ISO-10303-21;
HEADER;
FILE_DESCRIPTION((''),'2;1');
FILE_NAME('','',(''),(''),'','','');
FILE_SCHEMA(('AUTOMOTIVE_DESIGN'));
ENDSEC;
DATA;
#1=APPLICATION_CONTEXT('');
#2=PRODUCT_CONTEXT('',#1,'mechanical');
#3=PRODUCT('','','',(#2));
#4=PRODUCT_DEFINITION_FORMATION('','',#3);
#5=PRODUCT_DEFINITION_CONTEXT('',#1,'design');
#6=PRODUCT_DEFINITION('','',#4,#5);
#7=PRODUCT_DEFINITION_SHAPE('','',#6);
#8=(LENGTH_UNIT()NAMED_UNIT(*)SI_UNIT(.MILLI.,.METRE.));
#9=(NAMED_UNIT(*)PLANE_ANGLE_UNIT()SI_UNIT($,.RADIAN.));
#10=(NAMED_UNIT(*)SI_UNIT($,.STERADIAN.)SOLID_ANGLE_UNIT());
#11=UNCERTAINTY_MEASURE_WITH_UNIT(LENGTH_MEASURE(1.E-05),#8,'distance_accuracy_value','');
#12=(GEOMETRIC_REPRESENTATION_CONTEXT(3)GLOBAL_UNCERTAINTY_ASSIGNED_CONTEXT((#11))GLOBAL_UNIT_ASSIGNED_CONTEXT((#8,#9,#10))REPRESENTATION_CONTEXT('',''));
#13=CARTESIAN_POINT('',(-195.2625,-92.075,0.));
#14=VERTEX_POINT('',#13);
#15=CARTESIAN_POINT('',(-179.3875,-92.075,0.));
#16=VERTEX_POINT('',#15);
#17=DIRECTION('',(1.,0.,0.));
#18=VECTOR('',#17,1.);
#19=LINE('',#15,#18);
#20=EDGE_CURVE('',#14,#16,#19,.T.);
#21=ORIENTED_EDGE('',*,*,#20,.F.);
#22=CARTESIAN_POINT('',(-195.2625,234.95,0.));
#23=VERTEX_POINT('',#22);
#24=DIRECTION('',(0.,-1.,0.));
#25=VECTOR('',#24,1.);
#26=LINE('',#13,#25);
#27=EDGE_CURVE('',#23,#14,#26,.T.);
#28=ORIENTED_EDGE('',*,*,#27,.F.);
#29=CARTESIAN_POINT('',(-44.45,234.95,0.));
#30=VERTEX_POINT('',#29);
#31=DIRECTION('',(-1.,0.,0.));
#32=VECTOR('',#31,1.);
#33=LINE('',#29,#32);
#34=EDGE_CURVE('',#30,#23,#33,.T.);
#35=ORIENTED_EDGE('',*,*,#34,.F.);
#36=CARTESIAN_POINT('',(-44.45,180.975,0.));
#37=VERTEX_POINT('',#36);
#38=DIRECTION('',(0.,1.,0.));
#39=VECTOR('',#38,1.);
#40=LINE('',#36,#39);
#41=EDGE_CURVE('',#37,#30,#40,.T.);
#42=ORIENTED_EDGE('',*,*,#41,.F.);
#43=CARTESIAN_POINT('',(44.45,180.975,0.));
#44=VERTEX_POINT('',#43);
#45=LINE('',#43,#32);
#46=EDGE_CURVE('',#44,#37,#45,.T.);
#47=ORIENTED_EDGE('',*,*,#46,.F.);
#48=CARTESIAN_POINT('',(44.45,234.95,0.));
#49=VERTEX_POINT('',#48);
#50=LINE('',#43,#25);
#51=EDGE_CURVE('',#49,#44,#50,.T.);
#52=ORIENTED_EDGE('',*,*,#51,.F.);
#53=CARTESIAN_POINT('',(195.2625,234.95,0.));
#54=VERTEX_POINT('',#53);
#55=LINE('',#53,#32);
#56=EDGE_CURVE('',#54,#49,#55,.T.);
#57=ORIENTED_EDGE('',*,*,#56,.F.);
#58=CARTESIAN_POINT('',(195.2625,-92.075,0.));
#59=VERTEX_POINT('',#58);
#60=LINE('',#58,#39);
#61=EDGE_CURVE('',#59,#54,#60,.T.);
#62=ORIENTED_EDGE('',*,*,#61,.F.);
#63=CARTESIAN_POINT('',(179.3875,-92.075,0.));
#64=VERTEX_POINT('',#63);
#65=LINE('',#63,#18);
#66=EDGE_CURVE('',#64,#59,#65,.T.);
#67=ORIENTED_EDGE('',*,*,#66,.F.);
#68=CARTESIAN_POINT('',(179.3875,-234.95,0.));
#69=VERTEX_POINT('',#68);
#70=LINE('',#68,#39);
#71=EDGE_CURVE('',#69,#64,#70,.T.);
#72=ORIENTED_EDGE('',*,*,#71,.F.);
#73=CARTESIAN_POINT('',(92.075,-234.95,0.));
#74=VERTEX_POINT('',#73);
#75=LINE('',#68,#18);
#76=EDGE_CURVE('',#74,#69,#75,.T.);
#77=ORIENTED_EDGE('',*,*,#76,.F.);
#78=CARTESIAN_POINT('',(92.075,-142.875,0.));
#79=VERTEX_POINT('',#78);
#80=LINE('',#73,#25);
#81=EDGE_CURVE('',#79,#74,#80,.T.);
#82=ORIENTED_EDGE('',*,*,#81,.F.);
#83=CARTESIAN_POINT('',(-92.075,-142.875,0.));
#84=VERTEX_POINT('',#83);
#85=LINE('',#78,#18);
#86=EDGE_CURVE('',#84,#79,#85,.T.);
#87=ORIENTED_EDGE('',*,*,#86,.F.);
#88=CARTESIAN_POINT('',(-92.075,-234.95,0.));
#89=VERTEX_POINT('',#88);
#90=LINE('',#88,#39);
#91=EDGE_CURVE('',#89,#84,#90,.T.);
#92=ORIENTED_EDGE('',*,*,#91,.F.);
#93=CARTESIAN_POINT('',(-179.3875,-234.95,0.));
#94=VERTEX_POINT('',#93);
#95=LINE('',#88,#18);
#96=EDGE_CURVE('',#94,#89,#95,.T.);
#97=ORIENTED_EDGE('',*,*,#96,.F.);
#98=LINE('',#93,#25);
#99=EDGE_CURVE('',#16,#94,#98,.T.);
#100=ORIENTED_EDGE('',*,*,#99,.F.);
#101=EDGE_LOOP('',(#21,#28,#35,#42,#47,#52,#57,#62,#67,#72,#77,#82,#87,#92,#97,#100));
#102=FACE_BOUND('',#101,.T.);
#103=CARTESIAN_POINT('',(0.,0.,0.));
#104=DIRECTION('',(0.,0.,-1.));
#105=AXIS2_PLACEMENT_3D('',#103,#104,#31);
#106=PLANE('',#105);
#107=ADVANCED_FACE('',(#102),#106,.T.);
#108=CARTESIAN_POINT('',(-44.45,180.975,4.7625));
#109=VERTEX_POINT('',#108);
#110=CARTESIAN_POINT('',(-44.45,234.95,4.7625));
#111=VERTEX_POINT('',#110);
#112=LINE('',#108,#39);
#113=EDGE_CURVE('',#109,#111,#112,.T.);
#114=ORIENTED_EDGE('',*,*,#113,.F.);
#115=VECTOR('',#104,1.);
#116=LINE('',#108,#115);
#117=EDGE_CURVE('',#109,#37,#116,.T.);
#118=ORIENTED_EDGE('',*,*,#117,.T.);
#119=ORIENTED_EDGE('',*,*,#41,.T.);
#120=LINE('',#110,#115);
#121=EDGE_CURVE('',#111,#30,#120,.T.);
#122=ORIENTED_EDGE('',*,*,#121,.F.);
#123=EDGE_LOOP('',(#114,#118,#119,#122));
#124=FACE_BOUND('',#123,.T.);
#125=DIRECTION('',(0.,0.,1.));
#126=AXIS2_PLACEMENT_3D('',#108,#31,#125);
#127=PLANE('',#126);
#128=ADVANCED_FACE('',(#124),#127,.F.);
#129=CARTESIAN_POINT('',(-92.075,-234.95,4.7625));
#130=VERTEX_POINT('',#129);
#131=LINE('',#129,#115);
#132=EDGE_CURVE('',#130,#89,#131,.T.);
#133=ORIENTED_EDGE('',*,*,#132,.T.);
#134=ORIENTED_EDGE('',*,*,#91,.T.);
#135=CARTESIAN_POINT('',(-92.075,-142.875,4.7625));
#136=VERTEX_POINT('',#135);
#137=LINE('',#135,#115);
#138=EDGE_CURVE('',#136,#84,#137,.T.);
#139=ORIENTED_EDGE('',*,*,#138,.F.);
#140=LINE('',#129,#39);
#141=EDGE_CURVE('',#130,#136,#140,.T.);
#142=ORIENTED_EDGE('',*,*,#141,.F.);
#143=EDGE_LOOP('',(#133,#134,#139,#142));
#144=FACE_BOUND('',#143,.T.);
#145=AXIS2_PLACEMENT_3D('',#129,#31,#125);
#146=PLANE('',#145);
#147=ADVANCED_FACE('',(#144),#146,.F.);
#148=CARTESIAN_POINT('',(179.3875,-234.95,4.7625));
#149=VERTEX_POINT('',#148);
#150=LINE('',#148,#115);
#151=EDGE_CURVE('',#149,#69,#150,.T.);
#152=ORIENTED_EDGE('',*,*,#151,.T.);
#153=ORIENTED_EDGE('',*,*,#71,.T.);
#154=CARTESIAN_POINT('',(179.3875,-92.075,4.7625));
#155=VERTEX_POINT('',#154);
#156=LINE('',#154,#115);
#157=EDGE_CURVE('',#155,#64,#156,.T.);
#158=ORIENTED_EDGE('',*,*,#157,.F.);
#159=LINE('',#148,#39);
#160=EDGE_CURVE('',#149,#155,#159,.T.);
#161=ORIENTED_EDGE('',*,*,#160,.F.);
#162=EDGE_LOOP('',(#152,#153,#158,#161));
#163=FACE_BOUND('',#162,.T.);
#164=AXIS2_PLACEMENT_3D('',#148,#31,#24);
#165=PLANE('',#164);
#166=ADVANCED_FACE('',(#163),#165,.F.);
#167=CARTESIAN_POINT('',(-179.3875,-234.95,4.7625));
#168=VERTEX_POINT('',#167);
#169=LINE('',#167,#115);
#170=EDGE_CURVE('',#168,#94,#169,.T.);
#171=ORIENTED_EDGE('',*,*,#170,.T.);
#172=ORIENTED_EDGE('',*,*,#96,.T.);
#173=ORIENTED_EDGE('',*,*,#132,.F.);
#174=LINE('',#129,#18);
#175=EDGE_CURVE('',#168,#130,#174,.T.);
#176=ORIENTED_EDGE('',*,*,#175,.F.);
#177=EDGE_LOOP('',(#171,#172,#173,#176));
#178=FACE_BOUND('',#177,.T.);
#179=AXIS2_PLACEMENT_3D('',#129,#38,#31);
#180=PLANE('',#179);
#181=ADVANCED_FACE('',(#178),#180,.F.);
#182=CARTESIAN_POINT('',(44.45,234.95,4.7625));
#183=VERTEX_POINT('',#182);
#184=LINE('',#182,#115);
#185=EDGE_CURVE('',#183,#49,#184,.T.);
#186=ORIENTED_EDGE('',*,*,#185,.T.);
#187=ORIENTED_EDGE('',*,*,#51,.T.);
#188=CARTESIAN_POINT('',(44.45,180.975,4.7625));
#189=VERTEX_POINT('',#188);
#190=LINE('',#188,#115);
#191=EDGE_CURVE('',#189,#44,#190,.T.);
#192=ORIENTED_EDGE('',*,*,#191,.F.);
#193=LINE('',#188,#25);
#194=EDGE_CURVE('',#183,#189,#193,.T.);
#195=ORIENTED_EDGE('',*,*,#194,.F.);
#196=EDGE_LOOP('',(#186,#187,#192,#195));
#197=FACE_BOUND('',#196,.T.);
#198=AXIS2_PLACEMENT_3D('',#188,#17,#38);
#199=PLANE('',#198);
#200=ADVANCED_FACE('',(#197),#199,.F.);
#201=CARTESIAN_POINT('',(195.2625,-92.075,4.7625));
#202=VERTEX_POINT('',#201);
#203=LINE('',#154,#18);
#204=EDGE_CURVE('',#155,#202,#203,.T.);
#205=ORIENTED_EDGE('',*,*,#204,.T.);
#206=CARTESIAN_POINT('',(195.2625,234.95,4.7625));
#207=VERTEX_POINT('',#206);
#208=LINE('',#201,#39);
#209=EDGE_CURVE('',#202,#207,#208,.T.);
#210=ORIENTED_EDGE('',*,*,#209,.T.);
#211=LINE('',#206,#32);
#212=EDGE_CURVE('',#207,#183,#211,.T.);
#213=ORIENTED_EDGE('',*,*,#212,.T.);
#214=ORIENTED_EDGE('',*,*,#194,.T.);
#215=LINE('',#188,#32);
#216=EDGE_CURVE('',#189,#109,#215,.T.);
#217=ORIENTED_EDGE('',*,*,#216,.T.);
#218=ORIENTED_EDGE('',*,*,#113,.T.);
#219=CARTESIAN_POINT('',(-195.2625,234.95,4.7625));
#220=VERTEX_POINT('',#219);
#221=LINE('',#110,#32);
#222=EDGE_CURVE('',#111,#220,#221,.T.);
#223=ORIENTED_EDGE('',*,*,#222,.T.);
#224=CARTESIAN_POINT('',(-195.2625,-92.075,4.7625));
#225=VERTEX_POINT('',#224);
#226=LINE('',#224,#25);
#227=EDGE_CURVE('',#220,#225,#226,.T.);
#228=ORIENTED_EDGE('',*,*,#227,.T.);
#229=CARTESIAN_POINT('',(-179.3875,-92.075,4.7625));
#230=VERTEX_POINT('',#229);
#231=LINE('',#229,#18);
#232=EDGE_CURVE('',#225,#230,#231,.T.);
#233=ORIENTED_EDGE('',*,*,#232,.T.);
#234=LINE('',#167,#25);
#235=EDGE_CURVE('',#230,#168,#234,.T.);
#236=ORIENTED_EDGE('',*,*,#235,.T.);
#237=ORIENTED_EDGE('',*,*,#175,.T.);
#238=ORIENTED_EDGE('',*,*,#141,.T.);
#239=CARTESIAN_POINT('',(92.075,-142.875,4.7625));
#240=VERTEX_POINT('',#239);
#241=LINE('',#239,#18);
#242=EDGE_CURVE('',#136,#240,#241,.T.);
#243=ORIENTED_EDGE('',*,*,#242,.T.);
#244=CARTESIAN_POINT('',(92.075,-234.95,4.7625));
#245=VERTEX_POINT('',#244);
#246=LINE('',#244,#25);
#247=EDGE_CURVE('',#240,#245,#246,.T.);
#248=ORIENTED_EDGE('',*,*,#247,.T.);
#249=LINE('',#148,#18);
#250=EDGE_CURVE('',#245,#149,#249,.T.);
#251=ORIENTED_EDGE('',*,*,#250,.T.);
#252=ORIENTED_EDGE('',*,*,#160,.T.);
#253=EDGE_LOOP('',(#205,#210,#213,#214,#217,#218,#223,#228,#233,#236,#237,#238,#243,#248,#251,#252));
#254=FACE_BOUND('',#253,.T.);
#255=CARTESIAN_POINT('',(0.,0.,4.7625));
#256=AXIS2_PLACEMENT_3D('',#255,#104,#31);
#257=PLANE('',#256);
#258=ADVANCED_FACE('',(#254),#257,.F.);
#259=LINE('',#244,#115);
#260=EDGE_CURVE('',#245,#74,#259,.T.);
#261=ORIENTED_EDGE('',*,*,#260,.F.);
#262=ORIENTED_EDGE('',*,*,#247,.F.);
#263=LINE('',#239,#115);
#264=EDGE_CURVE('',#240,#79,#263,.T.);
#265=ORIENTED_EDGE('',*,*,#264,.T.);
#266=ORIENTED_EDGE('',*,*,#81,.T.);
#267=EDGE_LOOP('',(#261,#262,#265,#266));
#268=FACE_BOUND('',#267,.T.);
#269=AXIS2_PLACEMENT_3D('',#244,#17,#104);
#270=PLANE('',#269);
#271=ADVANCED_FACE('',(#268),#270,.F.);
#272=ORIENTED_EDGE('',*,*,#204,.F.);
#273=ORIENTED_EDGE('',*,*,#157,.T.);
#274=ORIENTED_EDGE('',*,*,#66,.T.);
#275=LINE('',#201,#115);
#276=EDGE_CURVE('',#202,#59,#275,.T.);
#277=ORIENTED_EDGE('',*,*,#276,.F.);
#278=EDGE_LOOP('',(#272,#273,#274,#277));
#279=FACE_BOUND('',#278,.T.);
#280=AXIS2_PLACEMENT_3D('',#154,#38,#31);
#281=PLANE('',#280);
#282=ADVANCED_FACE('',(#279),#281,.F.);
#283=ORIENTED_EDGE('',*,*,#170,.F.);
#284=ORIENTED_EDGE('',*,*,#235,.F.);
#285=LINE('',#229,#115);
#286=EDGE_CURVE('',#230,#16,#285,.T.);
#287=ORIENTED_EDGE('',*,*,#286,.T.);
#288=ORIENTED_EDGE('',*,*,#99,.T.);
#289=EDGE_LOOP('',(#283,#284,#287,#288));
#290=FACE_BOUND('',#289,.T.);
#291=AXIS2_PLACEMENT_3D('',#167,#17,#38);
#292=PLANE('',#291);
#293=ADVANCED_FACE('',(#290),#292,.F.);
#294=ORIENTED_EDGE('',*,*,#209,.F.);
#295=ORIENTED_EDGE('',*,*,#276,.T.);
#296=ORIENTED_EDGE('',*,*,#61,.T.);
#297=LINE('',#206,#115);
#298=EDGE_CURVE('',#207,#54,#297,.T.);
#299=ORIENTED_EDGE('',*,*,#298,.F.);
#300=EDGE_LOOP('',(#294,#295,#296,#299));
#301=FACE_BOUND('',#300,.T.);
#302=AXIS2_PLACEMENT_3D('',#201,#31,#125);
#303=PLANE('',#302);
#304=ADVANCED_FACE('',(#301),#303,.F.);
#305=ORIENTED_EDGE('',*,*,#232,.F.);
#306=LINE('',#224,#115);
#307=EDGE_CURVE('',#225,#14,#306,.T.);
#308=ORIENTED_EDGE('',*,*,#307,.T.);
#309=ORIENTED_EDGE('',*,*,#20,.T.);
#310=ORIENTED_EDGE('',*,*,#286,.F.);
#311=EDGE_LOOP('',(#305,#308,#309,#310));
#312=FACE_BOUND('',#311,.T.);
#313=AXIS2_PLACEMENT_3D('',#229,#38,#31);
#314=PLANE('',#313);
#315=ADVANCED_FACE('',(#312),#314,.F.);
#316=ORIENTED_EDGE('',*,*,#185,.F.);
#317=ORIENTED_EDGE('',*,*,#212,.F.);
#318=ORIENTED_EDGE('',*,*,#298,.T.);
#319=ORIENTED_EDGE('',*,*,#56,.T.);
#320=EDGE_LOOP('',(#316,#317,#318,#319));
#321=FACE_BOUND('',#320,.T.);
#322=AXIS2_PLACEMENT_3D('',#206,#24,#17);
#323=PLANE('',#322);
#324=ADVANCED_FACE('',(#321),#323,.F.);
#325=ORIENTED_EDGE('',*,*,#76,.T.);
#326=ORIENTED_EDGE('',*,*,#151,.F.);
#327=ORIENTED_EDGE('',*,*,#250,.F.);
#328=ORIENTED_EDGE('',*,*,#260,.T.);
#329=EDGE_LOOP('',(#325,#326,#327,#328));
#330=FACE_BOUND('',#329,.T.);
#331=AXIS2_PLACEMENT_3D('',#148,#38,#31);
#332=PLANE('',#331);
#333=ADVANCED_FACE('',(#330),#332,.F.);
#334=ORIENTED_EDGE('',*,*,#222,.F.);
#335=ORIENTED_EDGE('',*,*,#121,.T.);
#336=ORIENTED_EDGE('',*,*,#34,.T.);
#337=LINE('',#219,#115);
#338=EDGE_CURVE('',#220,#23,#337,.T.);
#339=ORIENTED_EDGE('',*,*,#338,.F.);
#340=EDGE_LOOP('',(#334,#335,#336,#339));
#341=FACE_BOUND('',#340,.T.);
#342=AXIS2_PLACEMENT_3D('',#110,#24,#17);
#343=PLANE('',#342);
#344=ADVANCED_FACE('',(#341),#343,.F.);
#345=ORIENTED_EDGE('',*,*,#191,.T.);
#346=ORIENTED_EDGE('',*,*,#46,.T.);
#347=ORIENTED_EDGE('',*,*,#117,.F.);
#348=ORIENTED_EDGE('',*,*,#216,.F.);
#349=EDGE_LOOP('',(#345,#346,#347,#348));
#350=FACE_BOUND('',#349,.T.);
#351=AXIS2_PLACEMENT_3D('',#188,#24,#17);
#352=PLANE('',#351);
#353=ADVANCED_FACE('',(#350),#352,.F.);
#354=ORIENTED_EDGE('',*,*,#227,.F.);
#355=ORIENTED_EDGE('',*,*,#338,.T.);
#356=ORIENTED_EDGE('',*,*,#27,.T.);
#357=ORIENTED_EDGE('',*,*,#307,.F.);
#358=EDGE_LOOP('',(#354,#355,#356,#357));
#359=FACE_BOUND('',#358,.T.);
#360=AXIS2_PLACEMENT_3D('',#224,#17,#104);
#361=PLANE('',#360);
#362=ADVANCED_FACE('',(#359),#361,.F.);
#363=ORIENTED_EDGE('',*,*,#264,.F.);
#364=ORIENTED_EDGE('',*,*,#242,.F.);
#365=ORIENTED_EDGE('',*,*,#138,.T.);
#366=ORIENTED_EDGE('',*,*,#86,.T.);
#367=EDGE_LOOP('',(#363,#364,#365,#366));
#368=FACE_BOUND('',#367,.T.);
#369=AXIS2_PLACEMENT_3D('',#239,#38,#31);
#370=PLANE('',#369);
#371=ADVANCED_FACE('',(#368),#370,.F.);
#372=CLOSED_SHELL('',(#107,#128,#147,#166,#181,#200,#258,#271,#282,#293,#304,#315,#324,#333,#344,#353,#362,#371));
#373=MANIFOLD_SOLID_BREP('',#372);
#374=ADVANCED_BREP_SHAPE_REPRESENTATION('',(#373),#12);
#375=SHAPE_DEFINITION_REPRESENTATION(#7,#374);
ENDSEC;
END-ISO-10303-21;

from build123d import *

# Parameters (mm, degrees)
BOSS_EXTRUDE1_DEPTH = 4.7625


with BuildPart() as part:
    # Sketch1 → Boss-Extrude1 (new body)
    with BuildSketch(Plane.XY):
        Polygon((-92.075, -234.95), (-179.3875, -234.95), (-179.3875, -92.075), (-195.2625, -92.075), (-195.2625, 234.95), (-44.45, 234.95), (-44.45, 180.975), (44.45, 180.975), (44.45, 234.95), (195.2625, 234.95), (195.2625, -92.075), (179.3875, -92.075), (179.3875, -234.95), (92.075, -234.95), (92.075, -142.875), (-92.075, -142.875), align=None)
    extrude(amount=BOSS_EXTRUDE1_DEPTH)


solid = part.part
